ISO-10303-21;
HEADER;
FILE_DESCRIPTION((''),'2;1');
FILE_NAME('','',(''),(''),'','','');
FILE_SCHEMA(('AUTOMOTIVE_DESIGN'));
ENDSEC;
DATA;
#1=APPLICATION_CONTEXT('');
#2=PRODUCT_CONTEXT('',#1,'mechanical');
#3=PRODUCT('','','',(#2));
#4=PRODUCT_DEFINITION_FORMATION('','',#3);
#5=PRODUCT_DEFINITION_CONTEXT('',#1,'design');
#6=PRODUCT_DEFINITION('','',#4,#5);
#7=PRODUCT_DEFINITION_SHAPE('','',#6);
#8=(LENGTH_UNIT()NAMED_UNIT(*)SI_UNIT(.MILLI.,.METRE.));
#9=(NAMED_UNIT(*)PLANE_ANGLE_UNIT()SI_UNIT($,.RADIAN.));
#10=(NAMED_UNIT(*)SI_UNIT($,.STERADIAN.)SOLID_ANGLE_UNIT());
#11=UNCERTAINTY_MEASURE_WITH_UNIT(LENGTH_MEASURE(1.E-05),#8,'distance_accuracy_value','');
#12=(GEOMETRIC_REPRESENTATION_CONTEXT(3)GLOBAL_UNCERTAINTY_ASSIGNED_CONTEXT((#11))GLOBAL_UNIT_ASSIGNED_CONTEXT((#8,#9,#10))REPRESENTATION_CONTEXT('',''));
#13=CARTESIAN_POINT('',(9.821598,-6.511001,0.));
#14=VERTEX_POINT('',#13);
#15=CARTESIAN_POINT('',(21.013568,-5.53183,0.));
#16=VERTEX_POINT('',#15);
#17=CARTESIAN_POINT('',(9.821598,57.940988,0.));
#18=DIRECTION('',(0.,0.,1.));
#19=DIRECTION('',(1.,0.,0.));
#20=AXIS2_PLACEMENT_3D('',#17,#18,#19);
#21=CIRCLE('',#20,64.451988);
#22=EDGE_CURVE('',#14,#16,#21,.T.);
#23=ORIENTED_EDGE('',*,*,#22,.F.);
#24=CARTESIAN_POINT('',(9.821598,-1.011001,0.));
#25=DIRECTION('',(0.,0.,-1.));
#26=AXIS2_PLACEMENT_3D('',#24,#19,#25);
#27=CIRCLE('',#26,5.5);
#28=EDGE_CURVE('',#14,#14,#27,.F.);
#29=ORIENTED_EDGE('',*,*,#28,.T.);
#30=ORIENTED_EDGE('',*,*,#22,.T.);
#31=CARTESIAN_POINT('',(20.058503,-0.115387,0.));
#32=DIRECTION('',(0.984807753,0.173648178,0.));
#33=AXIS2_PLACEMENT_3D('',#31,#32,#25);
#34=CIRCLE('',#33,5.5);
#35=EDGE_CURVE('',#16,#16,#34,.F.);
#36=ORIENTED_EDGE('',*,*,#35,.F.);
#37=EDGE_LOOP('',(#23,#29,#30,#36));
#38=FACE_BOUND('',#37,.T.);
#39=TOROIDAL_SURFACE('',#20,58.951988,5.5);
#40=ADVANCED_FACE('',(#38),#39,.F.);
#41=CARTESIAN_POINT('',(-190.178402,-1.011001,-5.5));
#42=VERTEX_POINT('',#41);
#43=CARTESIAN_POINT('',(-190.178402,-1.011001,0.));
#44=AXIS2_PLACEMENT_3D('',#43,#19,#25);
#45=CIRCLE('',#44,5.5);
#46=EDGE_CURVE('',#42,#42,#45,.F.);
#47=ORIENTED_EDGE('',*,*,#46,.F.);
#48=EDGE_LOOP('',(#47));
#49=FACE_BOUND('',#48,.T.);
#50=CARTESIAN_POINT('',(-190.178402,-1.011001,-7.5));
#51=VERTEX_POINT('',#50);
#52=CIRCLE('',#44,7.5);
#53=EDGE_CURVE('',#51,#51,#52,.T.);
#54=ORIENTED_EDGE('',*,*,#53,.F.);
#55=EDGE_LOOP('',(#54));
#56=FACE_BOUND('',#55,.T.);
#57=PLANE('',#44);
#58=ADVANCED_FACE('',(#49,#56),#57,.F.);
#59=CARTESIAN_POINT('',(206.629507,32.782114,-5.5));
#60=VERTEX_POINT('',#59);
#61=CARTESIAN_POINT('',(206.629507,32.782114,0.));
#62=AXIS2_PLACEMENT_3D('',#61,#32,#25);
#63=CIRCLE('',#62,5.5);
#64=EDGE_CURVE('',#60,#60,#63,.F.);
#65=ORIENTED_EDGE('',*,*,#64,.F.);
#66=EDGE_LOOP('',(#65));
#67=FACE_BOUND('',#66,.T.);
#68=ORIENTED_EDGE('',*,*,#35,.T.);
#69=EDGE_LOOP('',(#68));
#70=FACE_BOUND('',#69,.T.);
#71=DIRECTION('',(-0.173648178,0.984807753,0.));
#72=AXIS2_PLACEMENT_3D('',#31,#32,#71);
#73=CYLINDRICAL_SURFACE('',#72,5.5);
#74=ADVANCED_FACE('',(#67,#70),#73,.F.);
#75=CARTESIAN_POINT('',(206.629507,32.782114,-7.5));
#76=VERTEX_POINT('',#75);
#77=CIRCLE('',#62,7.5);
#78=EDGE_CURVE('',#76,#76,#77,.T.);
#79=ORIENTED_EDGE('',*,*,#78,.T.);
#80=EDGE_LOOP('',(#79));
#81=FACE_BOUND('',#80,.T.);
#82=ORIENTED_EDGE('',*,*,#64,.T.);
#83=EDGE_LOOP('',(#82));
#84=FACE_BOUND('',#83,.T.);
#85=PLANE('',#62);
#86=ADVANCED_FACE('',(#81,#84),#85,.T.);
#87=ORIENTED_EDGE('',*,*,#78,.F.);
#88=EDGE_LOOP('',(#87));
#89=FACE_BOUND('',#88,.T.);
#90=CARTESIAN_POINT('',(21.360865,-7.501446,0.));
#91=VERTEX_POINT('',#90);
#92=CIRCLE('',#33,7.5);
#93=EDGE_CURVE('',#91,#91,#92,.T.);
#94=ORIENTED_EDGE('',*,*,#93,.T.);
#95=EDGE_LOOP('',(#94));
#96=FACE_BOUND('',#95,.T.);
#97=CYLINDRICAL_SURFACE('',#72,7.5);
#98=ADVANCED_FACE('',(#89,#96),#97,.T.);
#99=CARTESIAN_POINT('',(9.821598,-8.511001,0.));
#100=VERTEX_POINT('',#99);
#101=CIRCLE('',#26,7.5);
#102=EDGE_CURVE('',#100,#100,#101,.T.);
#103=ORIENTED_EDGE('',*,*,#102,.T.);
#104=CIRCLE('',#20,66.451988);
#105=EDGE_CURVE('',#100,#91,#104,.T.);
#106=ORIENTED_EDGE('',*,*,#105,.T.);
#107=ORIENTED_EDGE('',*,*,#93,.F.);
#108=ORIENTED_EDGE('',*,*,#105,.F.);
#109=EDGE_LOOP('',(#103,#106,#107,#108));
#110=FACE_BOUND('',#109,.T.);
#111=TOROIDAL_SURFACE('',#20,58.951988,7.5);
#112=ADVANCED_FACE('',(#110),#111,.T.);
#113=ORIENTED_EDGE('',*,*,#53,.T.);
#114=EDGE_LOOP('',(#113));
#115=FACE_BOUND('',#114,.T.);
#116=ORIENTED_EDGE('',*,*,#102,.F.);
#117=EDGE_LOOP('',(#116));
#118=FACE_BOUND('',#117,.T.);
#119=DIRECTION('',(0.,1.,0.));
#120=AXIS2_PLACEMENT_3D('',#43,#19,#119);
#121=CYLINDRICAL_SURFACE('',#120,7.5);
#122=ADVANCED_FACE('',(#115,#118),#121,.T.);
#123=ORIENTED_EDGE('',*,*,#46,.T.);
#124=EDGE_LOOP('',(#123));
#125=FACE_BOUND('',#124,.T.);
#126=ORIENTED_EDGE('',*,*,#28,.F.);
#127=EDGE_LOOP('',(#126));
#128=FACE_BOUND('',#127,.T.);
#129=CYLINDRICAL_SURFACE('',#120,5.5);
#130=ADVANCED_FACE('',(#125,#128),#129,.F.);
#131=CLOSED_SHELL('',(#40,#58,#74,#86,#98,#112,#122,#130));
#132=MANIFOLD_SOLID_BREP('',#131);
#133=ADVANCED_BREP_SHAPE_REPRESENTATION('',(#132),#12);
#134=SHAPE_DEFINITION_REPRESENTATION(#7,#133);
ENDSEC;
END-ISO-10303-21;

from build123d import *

# Parameters (mm, degrees)
SKETCH6_R   = 7.5
SKETCH6_R_2 = 5.5


with BuildPart() as part:
    # Sweep1: sweep along a path in Sketch5
    with BuildLine(Plane.XY) as sweep1_path:
        Line((-190.178402047, -2.510858626), (9.821597953, -2.510858626))
        ThreePointArc((9.821597953, -2.510858626), (15.090323537, -2.280821099), (20.318950938, -1.592459243))
        Line((20.318950938, -1.592459243), (206.889954864, 31.305042567))
    # Sketch6 → Sweep1 (sweep)
    with BuildSketch(Plane(origin=(-190.178402047, 0, 0), x_dir=(0, 0, -1), z_dir=(1, 0, 0))):
        with Locations((0, -1.011000549)):
            Circle(SKETCH6_R)
        with Locations((0, -1.011000549)):
            Circle(SKETCH6_R_2, mode=Mode.SUBTRACT)
    sweep(path=sweep1_path.line)


solid = part.part
